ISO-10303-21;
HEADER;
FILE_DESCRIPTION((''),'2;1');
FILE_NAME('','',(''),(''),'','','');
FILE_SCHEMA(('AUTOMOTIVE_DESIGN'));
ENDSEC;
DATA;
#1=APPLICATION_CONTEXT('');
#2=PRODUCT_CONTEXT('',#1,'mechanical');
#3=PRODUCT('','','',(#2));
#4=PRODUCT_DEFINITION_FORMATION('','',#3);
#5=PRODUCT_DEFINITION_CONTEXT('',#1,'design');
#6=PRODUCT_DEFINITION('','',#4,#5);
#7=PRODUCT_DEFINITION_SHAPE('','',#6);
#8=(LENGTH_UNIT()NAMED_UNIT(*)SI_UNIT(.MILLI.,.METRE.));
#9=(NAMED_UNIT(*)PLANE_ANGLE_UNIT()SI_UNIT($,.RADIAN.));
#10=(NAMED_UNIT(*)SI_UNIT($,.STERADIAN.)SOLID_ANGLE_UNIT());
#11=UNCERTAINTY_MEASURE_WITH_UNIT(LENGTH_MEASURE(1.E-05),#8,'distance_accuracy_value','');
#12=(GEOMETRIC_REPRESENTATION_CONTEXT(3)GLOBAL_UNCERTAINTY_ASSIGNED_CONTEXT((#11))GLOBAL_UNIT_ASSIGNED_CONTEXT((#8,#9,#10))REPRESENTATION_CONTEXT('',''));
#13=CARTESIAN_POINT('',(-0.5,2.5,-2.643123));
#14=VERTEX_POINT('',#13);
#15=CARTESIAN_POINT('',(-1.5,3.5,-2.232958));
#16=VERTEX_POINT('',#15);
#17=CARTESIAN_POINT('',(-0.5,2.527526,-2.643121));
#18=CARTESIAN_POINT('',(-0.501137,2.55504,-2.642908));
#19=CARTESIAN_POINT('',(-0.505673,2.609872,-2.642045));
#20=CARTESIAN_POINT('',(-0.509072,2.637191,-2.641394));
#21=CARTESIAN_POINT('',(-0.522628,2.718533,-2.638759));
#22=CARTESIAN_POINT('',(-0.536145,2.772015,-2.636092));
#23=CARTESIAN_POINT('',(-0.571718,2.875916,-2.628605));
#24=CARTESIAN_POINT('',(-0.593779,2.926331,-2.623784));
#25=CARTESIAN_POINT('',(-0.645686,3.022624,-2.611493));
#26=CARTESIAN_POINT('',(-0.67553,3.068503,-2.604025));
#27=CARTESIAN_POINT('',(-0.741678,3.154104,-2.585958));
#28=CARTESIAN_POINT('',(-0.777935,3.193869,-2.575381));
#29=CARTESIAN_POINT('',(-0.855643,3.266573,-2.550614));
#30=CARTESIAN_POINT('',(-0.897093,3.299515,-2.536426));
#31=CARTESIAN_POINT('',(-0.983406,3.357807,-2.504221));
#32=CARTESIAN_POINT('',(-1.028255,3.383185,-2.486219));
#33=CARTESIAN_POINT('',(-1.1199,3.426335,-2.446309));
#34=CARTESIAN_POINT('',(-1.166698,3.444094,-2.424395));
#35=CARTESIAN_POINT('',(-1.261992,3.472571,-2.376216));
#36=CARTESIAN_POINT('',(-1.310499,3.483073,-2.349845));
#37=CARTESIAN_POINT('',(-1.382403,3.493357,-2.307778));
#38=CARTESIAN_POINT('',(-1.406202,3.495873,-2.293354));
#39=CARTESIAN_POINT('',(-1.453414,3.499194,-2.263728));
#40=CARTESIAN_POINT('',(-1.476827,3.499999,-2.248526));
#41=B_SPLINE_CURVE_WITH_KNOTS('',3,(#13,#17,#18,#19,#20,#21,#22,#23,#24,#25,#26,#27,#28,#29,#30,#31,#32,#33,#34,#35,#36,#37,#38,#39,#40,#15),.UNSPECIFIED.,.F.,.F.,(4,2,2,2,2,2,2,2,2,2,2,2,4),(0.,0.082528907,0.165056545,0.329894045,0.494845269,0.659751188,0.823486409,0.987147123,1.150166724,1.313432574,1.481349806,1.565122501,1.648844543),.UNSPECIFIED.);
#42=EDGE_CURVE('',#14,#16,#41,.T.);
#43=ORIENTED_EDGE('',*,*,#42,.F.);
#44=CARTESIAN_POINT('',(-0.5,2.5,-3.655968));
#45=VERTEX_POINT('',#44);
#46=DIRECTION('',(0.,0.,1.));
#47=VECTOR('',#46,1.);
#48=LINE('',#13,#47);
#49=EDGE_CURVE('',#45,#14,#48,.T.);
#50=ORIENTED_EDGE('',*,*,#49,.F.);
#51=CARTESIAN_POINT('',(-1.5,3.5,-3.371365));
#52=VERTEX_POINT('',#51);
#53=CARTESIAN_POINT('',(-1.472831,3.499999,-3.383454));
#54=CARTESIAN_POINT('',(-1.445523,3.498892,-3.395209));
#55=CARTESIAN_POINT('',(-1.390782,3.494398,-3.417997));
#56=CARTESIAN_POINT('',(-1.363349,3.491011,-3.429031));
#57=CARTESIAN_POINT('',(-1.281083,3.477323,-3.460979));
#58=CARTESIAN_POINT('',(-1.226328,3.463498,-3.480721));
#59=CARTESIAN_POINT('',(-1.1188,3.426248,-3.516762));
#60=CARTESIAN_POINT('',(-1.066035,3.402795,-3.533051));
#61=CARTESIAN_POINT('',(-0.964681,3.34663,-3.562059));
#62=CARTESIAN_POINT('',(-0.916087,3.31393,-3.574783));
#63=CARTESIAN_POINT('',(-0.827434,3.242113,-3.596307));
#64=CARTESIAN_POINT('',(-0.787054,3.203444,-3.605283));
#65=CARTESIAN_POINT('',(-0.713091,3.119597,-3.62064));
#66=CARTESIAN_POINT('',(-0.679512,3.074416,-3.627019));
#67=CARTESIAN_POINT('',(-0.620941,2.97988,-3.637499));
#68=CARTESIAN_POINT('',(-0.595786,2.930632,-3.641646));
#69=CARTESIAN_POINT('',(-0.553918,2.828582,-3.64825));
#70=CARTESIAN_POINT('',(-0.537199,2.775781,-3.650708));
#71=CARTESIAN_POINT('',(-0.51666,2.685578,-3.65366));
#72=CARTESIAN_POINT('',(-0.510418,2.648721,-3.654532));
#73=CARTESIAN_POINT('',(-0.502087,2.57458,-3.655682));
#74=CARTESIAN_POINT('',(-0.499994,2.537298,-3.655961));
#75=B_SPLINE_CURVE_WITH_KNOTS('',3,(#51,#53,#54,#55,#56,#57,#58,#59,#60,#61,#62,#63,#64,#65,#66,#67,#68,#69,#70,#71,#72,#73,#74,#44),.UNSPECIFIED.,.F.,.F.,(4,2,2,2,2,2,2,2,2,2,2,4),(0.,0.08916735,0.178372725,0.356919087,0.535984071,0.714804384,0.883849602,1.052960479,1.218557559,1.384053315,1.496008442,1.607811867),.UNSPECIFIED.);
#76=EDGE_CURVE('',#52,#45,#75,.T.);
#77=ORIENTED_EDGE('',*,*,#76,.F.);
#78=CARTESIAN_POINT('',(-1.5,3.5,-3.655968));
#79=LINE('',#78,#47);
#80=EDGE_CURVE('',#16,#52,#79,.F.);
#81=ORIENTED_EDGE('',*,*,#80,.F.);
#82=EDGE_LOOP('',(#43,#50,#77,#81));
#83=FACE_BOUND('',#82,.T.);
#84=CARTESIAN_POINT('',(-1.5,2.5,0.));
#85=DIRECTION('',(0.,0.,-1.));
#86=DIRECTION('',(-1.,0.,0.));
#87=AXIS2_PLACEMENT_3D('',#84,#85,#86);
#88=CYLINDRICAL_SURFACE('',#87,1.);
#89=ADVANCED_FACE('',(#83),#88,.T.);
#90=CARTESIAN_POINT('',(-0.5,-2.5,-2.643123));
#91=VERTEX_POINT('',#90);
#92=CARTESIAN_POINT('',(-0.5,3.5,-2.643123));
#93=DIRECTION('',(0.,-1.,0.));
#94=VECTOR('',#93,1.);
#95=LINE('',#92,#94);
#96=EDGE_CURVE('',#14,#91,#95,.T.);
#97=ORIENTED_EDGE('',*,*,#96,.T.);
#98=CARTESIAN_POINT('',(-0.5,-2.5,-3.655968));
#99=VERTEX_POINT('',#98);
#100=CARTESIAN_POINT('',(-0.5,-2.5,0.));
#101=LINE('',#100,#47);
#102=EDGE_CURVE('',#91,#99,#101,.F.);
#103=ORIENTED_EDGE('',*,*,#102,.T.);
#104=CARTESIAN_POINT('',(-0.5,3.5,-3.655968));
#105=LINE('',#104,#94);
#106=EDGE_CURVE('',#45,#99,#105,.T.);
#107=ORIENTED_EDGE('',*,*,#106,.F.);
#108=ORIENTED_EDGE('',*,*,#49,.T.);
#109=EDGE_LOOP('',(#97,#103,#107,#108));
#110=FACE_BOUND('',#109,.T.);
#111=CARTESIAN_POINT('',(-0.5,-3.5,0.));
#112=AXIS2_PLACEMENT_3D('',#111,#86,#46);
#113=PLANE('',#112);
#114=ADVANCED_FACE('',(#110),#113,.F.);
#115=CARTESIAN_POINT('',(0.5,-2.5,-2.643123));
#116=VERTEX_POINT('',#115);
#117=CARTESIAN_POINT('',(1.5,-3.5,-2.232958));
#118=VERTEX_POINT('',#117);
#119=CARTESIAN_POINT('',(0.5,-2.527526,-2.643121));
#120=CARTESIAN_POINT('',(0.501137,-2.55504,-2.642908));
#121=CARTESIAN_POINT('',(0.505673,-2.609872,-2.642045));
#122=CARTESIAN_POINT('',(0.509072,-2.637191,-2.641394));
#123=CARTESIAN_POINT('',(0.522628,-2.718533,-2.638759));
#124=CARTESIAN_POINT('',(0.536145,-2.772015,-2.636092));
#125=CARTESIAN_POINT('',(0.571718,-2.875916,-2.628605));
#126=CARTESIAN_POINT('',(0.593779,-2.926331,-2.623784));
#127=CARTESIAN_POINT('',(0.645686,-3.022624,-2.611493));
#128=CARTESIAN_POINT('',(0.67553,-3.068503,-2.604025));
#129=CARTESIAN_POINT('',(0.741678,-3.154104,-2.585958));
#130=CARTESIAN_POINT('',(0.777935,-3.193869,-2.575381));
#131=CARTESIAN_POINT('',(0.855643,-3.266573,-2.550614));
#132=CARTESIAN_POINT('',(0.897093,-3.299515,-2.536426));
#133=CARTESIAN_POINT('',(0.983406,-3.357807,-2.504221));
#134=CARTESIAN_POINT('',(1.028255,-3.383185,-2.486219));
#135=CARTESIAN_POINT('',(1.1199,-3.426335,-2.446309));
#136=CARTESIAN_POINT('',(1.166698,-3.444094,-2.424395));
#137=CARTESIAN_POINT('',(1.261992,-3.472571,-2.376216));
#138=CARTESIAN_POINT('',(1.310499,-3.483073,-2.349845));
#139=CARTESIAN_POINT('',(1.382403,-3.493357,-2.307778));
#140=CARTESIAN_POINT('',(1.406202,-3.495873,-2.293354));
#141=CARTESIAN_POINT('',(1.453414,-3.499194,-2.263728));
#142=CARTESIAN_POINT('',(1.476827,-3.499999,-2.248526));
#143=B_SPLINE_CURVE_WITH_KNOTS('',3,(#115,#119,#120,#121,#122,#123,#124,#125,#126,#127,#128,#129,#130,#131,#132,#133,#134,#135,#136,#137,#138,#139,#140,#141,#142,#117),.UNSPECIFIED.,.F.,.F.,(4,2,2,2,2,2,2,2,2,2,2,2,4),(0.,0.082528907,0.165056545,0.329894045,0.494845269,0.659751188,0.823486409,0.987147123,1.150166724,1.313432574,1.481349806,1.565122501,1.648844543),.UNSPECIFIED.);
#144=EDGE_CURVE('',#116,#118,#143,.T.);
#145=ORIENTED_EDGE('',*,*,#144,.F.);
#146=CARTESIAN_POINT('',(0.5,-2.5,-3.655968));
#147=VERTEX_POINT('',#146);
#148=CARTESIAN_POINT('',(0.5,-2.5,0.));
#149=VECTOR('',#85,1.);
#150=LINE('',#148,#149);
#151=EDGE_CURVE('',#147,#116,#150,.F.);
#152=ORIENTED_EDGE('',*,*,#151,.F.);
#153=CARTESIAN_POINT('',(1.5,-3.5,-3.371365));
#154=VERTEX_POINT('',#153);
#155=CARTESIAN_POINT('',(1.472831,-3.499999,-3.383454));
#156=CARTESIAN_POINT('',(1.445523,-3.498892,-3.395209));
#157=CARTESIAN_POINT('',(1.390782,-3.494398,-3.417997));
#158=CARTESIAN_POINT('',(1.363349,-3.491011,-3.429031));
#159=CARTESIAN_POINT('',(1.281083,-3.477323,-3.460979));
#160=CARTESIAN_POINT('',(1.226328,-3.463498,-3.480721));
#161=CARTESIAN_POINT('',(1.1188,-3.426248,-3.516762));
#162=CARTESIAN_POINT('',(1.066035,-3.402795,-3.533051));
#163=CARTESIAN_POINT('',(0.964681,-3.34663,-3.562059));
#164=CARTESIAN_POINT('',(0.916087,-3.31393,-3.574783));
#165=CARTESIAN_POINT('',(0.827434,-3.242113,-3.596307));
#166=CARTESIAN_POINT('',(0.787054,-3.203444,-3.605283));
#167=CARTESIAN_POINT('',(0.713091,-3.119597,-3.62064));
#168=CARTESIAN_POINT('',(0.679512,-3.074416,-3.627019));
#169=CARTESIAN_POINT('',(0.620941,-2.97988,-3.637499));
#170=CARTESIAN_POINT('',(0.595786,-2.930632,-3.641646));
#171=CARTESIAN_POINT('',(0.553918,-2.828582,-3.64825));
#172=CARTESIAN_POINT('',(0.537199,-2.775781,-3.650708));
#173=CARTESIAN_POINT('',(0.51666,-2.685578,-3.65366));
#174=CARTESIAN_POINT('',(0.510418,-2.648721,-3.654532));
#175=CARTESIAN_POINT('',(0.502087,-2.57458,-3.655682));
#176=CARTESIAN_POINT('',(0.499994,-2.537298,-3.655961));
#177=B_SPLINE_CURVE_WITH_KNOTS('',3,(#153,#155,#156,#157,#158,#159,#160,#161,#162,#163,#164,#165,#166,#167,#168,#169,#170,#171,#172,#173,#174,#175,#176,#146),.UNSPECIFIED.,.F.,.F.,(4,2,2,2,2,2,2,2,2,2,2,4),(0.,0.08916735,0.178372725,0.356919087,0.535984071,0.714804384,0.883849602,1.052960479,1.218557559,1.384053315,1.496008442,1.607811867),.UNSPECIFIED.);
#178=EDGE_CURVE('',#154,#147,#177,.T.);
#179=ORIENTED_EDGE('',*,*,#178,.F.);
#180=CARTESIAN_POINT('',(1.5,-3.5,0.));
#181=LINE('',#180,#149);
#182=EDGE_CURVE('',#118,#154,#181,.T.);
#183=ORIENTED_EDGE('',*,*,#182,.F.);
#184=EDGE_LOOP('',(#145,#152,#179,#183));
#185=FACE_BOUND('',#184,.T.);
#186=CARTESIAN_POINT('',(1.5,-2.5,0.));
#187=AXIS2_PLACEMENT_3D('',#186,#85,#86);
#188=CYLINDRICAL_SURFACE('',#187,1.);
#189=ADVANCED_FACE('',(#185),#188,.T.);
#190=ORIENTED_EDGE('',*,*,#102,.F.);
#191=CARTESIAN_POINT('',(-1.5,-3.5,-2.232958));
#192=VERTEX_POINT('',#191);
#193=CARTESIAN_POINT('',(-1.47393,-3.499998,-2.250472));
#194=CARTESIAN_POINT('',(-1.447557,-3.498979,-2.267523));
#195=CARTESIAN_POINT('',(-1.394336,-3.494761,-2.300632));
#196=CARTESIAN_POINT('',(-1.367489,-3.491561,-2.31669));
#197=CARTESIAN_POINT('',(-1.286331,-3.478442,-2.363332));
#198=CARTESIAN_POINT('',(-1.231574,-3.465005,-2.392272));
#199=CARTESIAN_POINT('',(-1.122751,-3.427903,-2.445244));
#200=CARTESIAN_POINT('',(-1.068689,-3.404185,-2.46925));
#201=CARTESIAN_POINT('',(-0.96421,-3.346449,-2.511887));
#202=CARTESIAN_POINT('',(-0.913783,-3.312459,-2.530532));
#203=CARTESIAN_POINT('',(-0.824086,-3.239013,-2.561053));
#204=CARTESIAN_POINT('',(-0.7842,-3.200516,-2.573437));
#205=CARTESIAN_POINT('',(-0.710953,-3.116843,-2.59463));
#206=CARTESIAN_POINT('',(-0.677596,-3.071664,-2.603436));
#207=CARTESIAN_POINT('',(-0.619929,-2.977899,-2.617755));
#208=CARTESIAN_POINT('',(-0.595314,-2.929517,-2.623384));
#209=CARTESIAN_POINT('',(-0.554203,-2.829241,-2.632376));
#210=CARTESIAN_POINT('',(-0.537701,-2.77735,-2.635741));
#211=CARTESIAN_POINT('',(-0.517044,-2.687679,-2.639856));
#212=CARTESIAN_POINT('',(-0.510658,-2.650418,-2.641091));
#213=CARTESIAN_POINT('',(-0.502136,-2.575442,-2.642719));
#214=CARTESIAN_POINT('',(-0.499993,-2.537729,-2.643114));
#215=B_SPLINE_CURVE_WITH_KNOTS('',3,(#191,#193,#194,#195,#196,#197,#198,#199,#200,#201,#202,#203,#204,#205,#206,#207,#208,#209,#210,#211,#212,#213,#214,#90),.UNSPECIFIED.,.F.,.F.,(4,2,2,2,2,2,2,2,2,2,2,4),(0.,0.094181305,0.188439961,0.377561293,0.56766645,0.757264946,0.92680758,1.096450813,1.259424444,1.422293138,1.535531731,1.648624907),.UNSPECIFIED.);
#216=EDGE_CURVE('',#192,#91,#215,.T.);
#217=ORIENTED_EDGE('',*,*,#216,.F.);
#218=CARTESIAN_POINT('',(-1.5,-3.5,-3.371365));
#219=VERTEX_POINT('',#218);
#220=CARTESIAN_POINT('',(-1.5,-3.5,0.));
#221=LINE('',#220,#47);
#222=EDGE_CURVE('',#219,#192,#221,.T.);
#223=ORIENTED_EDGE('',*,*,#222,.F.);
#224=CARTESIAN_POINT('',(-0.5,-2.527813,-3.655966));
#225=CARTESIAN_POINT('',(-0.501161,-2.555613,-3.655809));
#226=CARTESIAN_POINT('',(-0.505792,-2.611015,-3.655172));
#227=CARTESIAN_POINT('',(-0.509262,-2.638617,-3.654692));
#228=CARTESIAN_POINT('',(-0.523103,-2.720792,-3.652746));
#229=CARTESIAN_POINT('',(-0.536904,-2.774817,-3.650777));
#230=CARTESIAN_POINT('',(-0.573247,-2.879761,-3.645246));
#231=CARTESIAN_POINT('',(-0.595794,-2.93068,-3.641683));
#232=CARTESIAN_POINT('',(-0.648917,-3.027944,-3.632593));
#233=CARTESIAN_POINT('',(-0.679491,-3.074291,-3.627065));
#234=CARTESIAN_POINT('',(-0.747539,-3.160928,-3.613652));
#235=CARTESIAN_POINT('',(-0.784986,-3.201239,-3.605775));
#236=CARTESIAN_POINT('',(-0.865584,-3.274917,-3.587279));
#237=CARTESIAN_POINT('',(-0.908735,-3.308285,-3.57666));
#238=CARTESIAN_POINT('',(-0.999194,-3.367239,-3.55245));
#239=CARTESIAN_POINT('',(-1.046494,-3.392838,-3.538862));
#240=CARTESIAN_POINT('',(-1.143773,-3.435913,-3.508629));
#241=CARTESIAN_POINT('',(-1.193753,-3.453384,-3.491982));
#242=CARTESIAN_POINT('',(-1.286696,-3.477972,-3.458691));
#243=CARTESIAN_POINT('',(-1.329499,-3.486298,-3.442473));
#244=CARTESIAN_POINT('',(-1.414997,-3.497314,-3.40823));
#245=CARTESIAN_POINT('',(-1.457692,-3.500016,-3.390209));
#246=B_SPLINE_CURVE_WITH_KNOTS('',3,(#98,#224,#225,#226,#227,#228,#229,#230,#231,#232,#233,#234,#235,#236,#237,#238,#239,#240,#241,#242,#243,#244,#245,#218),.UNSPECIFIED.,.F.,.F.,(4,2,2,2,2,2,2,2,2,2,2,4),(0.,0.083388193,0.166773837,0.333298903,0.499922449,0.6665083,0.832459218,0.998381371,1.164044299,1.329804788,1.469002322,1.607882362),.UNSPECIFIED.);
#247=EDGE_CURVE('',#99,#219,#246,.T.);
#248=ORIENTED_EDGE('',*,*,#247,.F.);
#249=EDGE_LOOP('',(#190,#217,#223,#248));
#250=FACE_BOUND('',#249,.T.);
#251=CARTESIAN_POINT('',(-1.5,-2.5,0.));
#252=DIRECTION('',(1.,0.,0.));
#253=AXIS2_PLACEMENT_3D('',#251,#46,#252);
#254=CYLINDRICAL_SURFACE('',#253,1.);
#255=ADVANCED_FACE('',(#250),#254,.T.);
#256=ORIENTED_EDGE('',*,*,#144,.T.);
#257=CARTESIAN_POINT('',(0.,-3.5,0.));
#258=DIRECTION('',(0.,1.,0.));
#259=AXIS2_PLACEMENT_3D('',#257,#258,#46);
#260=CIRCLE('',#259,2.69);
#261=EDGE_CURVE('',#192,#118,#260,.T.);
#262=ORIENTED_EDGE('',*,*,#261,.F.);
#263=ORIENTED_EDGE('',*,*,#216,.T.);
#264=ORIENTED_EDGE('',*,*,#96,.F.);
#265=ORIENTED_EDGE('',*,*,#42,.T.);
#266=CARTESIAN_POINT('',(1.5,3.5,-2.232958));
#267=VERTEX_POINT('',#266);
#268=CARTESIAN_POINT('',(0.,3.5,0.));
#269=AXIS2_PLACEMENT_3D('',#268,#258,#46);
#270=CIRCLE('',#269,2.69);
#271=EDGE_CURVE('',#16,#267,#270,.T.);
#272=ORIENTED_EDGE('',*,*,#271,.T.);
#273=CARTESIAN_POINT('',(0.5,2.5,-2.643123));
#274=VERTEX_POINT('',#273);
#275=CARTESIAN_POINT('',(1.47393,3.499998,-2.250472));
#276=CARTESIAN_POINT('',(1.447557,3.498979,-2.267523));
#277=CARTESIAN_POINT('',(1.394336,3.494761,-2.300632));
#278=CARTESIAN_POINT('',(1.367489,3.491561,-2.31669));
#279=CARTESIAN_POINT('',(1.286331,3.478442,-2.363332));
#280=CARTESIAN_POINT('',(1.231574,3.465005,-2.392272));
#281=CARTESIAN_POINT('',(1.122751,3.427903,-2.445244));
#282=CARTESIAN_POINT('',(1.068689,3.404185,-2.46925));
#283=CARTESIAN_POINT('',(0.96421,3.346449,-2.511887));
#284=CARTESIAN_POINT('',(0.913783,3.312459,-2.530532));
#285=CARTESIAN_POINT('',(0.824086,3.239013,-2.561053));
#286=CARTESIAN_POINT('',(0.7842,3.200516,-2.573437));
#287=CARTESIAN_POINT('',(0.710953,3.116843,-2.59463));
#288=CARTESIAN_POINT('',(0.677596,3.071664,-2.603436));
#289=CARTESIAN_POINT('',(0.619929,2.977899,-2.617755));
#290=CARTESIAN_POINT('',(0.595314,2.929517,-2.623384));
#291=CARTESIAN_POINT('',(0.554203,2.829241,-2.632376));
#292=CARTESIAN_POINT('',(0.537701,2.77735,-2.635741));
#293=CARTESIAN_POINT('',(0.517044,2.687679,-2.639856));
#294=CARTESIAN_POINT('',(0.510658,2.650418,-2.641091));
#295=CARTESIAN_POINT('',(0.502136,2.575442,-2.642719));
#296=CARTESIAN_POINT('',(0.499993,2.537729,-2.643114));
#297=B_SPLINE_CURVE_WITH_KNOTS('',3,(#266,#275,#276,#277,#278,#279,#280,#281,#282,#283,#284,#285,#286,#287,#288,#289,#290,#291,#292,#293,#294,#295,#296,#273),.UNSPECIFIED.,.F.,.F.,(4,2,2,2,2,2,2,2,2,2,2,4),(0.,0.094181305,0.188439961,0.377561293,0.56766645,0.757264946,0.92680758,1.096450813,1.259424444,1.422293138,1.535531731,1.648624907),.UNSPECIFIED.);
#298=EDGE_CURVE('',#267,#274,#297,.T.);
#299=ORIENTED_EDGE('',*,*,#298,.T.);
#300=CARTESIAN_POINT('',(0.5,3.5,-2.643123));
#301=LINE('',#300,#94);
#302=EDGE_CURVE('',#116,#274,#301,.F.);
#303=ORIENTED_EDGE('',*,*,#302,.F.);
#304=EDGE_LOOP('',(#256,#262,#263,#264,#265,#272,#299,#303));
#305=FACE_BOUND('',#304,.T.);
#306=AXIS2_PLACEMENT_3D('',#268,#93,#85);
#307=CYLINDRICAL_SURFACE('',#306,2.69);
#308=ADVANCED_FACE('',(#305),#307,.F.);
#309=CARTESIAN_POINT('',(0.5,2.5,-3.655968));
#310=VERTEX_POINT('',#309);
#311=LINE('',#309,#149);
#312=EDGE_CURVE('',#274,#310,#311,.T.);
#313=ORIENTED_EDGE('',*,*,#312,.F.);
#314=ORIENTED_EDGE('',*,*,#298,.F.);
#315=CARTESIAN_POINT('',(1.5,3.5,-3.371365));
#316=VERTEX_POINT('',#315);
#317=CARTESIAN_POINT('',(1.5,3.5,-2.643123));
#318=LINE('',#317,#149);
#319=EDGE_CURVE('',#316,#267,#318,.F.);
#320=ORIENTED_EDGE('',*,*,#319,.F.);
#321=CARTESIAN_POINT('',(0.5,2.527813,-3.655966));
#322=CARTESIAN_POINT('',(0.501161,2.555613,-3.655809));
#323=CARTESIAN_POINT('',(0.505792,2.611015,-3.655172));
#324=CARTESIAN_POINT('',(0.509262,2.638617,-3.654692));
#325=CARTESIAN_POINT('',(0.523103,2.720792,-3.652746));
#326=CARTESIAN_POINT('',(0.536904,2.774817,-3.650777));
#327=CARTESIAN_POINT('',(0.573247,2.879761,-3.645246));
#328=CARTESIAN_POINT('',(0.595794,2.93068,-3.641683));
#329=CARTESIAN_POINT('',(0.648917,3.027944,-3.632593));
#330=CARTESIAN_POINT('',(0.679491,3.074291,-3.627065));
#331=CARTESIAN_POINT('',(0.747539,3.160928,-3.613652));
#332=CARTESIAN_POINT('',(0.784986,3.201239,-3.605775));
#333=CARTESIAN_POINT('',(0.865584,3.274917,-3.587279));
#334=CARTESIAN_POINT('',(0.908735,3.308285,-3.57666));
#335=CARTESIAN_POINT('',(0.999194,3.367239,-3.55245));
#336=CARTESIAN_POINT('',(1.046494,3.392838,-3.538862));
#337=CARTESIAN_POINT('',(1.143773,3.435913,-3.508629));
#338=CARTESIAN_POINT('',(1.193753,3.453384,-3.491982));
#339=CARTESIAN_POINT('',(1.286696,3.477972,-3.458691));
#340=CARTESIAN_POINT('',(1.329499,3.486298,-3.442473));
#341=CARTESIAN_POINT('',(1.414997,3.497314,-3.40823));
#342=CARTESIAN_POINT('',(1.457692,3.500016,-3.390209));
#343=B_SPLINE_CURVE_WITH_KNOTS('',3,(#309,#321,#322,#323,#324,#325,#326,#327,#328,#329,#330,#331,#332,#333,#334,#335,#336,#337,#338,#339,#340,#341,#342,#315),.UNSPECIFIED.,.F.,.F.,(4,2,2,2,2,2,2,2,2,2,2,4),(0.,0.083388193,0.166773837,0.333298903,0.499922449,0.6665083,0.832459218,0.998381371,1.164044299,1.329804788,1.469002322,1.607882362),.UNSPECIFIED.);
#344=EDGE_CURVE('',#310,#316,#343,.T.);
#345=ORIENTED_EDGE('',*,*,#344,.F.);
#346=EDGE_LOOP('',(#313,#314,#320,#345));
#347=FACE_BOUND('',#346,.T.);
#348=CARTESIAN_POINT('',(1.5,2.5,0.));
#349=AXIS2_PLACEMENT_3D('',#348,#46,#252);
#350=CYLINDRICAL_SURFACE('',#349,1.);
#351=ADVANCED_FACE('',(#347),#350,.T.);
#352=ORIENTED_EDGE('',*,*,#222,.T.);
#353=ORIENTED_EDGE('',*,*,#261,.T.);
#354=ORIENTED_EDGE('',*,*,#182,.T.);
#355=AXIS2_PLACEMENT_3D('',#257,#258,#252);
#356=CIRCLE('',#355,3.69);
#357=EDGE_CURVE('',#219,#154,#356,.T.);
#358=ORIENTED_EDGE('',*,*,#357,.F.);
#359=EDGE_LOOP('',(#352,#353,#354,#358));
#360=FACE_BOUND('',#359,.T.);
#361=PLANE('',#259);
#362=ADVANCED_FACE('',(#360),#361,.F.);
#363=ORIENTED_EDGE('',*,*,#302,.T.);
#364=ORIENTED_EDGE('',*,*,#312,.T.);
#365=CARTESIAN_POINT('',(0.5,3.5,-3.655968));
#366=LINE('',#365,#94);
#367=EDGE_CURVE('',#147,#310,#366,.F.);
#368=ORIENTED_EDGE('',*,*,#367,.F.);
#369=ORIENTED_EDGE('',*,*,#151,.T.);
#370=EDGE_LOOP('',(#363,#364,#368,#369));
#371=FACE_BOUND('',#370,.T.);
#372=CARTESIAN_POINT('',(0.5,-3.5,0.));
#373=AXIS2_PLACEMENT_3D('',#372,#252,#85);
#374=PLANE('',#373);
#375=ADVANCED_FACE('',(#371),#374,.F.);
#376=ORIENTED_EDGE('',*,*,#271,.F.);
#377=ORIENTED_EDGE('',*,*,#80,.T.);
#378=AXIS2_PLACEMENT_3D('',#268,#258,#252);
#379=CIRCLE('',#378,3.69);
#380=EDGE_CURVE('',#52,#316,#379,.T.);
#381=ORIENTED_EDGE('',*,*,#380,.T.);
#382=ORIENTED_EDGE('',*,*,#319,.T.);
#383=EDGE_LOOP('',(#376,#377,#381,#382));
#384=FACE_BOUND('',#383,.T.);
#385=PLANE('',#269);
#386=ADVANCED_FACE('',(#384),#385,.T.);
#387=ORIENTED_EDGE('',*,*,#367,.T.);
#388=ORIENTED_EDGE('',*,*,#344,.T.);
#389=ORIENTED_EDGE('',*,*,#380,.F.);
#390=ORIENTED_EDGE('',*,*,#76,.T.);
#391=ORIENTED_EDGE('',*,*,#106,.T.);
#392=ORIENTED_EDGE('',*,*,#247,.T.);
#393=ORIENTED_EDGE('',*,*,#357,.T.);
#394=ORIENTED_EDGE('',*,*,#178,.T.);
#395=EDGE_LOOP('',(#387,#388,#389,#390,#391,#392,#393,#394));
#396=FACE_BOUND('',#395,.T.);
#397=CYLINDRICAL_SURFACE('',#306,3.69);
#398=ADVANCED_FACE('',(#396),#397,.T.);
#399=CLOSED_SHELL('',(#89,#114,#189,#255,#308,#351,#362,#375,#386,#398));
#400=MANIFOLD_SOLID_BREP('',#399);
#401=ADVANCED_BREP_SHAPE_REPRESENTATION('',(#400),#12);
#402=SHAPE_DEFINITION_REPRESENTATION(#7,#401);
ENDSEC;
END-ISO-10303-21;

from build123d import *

# Parameters (mm, degrees)
SKETCH3_R               = 3.69
SKETCH3_R_2             = 2.69
EXTRUDE_THIN1_DEPTH     = 3.5
SKETCH4_W               = 1
SKETCH4_H               = 1000
CUT_EXTRUDE1_DEPTH      = 4.5
CUT_EXTRUDE1_DEPTH_BACK = 4.5
FILLET1_R               = 1


with BuildPart() as part:
    # Sketch3 → Extrude-Thin1 (new body, symmetric)
    with BuildSketch(Plane(origin=(0, 0, 0), x_dir=(1, 0, 0), z_dir=(0, 1, 0))):
        Circle(SKETCH3_R)
        Circle(SKETCH3_R_2, mode=Mode.SUBTRACT)
    extrude(amount=EXTRUDE_THIN1_DEPTH, both=True)

    # Sketch4 → Cut-Extrude1 (cut, two sides)
    with BuildSketch(Plane(origin=(0, 0, 0), x_dir=(1, 0, 0), z_dir=(0, 1, 0))) as cut_extrude1_sk:
        with Locations((0, 500)):
            Rectangle(SKETCH4_W, SKETCH4_H)
    extrude(amount=CUT_EXTRUDE1_DEPTH, mode=Mode.SUBTRACT)
    extrude(cut_extrude1_sk.sketch, amount=-CUT_EXTRUDE1_DEPTH_BACK, mode=Mode.SUBTRACT)

    # Fillet1
    fillet1_edges = [part.edges().sort_by_distance(p)[0] for p in [
        (0.5, -3.5, -3.149545438),
        (-0.5, -3.5, -3.149545438),
        (0.5, 3.5, -3.149545438),
        (-0.5, 3.5, -3.149545438),
    ]]
    fillet(fillet1_edges, radius=FILLET1_R)


solid = part.part
